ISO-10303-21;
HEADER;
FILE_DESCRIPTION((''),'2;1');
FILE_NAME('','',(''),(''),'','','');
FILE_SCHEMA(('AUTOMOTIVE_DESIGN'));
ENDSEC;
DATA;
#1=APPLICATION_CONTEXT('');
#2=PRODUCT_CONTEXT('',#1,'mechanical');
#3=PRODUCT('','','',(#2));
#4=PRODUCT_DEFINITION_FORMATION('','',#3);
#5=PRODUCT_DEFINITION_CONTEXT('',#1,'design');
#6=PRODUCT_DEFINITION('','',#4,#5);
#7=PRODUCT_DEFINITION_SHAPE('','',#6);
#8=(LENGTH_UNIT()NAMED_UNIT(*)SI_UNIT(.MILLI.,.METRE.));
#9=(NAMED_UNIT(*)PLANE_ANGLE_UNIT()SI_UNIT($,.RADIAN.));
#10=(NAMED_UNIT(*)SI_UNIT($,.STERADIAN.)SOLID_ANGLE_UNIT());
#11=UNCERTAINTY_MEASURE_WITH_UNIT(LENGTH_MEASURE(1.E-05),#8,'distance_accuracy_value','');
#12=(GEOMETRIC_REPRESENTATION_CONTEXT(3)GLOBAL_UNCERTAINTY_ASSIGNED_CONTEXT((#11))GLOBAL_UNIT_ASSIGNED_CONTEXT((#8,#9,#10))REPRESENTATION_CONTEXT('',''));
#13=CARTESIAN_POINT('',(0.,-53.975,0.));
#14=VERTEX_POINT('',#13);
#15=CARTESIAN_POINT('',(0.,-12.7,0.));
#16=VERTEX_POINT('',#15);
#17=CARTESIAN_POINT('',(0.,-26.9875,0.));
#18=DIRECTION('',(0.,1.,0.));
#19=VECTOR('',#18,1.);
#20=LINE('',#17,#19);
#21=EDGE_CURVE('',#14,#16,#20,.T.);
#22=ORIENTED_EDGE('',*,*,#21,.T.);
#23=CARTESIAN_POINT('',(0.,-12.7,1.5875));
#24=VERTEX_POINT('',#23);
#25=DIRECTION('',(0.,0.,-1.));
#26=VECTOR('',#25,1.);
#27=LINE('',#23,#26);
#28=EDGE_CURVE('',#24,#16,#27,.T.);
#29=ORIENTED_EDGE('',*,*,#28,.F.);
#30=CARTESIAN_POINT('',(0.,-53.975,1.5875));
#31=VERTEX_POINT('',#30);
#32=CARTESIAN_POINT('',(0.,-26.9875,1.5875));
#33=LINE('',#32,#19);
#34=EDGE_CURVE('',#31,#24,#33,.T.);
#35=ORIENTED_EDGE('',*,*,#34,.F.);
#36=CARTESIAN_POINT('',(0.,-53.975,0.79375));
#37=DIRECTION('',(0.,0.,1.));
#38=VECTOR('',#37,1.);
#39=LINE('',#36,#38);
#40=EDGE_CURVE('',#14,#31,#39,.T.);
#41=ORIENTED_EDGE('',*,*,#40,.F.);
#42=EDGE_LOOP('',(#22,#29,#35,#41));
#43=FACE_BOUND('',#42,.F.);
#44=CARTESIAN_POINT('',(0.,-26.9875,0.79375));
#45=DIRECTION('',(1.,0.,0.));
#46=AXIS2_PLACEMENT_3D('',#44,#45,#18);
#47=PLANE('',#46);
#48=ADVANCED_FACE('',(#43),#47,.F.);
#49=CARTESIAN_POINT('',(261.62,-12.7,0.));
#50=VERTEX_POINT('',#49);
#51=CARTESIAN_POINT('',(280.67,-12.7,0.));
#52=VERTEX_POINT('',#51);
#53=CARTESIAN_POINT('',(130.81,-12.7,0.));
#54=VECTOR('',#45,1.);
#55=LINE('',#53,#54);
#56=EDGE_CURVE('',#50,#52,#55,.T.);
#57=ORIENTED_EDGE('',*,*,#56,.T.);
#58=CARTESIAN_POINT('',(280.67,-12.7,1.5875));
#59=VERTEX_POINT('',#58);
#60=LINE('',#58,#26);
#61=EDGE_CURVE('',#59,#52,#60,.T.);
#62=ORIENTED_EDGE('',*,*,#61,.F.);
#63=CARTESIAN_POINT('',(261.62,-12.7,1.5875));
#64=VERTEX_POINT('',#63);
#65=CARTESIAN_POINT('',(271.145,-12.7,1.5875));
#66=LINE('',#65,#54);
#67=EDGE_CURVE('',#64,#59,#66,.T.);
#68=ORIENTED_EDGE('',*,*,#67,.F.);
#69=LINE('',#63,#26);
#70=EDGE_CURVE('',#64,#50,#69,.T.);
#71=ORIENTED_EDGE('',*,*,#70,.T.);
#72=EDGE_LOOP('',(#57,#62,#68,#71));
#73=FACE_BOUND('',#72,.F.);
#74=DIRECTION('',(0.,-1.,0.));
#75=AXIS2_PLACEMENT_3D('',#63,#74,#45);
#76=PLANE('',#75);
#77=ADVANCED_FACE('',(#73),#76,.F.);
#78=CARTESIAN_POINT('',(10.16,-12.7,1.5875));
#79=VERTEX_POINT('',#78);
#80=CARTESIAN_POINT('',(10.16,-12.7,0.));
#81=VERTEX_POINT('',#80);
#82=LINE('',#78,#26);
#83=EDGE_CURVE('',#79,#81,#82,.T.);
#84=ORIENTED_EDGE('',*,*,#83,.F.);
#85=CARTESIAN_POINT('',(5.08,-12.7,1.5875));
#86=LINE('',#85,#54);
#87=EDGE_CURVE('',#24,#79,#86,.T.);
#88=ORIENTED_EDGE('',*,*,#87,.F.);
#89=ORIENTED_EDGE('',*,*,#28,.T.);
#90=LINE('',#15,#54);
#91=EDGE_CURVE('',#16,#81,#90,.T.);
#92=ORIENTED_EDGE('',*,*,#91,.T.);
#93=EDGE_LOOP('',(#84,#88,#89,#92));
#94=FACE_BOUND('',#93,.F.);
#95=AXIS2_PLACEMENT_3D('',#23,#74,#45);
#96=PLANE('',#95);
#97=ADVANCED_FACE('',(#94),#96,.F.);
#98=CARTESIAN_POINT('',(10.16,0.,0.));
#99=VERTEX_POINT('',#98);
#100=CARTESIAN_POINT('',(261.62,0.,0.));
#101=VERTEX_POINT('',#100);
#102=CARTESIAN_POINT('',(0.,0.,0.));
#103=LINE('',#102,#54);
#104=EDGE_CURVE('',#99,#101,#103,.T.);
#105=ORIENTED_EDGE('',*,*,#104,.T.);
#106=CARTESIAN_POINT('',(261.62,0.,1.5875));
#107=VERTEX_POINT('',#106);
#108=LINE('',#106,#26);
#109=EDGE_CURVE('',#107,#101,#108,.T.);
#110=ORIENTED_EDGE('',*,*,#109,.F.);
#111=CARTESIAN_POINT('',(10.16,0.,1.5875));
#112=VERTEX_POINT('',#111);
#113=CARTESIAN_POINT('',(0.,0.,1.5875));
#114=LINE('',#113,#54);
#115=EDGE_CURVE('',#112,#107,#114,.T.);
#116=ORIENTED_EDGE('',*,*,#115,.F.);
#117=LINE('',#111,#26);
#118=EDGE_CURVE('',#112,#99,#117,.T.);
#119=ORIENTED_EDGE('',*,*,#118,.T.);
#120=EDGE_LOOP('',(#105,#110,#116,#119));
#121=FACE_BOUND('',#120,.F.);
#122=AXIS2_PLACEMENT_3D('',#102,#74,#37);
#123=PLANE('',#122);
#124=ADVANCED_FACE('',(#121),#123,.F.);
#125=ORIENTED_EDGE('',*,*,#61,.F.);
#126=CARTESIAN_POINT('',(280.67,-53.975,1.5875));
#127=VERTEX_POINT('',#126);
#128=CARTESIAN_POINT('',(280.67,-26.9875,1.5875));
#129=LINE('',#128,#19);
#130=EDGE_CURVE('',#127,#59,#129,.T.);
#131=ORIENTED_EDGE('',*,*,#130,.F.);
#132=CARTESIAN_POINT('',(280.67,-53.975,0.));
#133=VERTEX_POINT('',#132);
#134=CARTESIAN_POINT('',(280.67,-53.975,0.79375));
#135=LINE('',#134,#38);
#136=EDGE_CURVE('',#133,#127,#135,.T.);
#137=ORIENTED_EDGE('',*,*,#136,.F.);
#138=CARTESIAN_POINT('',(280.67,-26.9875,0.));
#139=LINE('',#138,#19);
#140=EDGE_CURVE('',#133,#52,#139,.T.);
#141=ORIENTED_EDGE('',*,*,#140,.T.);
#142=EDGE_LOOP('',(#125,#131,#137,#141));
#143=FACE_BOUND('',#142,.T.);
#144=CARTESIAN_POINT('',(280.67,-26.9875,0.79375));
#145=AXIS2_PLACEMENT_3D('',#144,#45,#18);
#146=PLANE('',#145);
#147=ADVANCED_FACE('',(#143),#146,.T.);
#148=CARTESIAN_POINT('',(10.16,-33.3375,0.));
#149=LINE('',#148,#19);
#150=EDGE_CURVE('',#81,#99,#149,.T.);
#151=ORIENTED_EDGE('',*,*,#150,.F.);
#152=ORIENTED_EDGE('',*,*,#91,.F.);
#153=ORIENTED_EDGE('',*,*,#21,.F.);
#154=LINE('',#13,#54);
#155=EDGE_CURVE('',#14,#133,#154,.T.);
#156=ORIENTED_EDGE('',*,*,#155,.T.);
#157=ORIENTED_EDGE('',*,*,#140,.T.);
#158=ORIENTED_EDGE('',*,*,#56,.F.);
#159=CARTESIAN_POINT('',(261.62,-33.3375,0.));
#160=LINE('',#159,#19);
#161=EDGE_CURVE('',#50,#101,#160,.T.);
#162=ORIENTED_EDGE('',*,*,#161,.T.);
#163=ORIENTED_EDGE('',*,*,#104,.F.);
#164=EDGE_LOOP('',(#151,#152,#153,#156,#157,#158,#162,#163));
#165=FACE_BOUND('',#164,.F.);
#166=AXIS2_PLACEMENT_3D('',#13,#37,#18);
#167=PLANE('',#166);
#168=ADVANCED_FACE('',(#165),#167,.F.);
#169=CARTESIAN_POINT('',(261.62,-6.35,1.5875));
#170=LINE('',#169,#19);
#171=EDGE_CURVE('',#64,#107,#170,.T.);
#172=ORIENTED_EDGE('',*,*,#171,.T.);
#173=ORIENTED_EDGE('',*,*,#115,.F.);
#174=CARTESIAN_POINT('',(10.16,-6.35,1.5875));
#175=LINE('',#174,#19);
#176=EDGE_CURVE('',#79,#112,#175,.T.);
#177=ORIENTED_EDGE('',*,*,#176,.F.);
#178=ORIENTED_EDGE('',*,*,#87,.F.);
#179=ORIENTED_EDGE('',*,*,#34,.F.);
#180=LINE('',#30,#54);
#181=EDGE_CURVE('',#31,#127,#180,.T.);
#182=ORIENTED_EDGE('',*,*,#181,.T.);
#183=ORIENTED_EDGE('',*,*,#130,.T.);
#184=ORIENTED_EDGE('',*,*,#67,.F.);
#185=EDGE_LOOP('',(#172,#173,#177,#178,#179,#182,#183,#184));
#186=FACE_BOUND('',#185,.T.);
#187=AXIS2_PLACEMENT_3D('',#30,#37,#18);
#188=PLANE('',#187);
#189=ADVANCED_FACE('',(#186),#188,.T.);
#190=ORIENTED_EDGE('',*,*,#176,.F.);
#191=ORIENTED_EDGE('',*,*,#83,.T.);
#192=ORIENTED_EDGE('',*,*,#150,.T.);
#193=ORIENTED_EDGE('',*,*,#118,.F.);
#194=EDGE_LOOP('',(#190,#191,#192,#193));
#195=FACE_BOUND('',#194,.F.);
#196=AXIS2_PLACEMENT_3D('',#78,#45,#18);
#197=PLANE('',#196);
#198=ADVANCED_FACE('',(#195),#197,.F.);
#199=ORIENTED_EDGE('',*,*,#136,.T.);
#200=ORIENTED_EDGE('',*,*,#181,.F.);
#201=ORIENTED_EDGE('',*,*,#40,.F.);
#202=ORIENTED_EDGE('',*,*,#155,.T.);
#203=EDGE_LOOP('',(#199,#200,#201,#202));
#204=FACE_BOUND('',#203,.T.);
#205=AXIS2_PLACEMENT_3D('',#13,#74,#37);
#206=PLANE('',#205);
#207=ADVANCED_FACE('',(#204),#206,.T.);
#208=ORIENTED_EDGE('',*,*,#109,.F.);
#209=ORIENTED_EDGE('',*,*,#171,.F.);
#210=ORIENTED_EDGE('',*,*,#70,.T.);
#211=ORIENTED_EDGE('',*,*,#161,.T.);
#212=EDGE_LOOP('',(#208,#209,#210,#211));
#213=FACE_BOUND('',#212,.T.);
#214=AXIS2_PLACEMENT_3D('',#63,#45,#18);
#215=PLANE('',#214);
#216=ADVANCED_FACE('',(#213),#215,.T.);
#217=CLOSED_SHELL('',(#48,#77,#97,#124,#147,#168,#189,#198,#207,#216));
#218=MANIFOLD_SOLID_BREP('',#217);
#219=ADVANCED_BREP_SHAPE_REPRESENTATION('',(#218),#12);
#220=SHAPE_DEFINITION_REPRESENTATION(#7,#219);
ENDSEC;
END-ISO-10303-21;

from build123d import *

# Parameters (mm, degrees)
F0_W     = 53.975
F0_H     = 1.5875
F1_DEPTH = 280.67
F2_W     = 10.16
F2_H     = 12.7
F2_W_2   = 19.05
F3_DEPTH = 25.4


with BuildPart() as f1:
    # F0 (on Right) → F1 (new body)
    with BuildSketch(Plane.YZ):
        with Locations((-26.9875, 0.79375)):
            Rectangle(F0_W, F0_H)
    extrude(amount=F1_DEPTH)

    # F2 (on face) → F3 (cut)
    with BuildSketch(Plane.XY.offset(1.5875)):
        with Locations((5.08, -6.35)):
            Rectangle(F2_W, F2_H)
        with Locations((271.145, -6.35)):
            Rectangle(F2_W_2, F2_H)
    extrude(amount=-F3_DEPTH, mode=Mode.SUBTRACT)


solid = f1.part
